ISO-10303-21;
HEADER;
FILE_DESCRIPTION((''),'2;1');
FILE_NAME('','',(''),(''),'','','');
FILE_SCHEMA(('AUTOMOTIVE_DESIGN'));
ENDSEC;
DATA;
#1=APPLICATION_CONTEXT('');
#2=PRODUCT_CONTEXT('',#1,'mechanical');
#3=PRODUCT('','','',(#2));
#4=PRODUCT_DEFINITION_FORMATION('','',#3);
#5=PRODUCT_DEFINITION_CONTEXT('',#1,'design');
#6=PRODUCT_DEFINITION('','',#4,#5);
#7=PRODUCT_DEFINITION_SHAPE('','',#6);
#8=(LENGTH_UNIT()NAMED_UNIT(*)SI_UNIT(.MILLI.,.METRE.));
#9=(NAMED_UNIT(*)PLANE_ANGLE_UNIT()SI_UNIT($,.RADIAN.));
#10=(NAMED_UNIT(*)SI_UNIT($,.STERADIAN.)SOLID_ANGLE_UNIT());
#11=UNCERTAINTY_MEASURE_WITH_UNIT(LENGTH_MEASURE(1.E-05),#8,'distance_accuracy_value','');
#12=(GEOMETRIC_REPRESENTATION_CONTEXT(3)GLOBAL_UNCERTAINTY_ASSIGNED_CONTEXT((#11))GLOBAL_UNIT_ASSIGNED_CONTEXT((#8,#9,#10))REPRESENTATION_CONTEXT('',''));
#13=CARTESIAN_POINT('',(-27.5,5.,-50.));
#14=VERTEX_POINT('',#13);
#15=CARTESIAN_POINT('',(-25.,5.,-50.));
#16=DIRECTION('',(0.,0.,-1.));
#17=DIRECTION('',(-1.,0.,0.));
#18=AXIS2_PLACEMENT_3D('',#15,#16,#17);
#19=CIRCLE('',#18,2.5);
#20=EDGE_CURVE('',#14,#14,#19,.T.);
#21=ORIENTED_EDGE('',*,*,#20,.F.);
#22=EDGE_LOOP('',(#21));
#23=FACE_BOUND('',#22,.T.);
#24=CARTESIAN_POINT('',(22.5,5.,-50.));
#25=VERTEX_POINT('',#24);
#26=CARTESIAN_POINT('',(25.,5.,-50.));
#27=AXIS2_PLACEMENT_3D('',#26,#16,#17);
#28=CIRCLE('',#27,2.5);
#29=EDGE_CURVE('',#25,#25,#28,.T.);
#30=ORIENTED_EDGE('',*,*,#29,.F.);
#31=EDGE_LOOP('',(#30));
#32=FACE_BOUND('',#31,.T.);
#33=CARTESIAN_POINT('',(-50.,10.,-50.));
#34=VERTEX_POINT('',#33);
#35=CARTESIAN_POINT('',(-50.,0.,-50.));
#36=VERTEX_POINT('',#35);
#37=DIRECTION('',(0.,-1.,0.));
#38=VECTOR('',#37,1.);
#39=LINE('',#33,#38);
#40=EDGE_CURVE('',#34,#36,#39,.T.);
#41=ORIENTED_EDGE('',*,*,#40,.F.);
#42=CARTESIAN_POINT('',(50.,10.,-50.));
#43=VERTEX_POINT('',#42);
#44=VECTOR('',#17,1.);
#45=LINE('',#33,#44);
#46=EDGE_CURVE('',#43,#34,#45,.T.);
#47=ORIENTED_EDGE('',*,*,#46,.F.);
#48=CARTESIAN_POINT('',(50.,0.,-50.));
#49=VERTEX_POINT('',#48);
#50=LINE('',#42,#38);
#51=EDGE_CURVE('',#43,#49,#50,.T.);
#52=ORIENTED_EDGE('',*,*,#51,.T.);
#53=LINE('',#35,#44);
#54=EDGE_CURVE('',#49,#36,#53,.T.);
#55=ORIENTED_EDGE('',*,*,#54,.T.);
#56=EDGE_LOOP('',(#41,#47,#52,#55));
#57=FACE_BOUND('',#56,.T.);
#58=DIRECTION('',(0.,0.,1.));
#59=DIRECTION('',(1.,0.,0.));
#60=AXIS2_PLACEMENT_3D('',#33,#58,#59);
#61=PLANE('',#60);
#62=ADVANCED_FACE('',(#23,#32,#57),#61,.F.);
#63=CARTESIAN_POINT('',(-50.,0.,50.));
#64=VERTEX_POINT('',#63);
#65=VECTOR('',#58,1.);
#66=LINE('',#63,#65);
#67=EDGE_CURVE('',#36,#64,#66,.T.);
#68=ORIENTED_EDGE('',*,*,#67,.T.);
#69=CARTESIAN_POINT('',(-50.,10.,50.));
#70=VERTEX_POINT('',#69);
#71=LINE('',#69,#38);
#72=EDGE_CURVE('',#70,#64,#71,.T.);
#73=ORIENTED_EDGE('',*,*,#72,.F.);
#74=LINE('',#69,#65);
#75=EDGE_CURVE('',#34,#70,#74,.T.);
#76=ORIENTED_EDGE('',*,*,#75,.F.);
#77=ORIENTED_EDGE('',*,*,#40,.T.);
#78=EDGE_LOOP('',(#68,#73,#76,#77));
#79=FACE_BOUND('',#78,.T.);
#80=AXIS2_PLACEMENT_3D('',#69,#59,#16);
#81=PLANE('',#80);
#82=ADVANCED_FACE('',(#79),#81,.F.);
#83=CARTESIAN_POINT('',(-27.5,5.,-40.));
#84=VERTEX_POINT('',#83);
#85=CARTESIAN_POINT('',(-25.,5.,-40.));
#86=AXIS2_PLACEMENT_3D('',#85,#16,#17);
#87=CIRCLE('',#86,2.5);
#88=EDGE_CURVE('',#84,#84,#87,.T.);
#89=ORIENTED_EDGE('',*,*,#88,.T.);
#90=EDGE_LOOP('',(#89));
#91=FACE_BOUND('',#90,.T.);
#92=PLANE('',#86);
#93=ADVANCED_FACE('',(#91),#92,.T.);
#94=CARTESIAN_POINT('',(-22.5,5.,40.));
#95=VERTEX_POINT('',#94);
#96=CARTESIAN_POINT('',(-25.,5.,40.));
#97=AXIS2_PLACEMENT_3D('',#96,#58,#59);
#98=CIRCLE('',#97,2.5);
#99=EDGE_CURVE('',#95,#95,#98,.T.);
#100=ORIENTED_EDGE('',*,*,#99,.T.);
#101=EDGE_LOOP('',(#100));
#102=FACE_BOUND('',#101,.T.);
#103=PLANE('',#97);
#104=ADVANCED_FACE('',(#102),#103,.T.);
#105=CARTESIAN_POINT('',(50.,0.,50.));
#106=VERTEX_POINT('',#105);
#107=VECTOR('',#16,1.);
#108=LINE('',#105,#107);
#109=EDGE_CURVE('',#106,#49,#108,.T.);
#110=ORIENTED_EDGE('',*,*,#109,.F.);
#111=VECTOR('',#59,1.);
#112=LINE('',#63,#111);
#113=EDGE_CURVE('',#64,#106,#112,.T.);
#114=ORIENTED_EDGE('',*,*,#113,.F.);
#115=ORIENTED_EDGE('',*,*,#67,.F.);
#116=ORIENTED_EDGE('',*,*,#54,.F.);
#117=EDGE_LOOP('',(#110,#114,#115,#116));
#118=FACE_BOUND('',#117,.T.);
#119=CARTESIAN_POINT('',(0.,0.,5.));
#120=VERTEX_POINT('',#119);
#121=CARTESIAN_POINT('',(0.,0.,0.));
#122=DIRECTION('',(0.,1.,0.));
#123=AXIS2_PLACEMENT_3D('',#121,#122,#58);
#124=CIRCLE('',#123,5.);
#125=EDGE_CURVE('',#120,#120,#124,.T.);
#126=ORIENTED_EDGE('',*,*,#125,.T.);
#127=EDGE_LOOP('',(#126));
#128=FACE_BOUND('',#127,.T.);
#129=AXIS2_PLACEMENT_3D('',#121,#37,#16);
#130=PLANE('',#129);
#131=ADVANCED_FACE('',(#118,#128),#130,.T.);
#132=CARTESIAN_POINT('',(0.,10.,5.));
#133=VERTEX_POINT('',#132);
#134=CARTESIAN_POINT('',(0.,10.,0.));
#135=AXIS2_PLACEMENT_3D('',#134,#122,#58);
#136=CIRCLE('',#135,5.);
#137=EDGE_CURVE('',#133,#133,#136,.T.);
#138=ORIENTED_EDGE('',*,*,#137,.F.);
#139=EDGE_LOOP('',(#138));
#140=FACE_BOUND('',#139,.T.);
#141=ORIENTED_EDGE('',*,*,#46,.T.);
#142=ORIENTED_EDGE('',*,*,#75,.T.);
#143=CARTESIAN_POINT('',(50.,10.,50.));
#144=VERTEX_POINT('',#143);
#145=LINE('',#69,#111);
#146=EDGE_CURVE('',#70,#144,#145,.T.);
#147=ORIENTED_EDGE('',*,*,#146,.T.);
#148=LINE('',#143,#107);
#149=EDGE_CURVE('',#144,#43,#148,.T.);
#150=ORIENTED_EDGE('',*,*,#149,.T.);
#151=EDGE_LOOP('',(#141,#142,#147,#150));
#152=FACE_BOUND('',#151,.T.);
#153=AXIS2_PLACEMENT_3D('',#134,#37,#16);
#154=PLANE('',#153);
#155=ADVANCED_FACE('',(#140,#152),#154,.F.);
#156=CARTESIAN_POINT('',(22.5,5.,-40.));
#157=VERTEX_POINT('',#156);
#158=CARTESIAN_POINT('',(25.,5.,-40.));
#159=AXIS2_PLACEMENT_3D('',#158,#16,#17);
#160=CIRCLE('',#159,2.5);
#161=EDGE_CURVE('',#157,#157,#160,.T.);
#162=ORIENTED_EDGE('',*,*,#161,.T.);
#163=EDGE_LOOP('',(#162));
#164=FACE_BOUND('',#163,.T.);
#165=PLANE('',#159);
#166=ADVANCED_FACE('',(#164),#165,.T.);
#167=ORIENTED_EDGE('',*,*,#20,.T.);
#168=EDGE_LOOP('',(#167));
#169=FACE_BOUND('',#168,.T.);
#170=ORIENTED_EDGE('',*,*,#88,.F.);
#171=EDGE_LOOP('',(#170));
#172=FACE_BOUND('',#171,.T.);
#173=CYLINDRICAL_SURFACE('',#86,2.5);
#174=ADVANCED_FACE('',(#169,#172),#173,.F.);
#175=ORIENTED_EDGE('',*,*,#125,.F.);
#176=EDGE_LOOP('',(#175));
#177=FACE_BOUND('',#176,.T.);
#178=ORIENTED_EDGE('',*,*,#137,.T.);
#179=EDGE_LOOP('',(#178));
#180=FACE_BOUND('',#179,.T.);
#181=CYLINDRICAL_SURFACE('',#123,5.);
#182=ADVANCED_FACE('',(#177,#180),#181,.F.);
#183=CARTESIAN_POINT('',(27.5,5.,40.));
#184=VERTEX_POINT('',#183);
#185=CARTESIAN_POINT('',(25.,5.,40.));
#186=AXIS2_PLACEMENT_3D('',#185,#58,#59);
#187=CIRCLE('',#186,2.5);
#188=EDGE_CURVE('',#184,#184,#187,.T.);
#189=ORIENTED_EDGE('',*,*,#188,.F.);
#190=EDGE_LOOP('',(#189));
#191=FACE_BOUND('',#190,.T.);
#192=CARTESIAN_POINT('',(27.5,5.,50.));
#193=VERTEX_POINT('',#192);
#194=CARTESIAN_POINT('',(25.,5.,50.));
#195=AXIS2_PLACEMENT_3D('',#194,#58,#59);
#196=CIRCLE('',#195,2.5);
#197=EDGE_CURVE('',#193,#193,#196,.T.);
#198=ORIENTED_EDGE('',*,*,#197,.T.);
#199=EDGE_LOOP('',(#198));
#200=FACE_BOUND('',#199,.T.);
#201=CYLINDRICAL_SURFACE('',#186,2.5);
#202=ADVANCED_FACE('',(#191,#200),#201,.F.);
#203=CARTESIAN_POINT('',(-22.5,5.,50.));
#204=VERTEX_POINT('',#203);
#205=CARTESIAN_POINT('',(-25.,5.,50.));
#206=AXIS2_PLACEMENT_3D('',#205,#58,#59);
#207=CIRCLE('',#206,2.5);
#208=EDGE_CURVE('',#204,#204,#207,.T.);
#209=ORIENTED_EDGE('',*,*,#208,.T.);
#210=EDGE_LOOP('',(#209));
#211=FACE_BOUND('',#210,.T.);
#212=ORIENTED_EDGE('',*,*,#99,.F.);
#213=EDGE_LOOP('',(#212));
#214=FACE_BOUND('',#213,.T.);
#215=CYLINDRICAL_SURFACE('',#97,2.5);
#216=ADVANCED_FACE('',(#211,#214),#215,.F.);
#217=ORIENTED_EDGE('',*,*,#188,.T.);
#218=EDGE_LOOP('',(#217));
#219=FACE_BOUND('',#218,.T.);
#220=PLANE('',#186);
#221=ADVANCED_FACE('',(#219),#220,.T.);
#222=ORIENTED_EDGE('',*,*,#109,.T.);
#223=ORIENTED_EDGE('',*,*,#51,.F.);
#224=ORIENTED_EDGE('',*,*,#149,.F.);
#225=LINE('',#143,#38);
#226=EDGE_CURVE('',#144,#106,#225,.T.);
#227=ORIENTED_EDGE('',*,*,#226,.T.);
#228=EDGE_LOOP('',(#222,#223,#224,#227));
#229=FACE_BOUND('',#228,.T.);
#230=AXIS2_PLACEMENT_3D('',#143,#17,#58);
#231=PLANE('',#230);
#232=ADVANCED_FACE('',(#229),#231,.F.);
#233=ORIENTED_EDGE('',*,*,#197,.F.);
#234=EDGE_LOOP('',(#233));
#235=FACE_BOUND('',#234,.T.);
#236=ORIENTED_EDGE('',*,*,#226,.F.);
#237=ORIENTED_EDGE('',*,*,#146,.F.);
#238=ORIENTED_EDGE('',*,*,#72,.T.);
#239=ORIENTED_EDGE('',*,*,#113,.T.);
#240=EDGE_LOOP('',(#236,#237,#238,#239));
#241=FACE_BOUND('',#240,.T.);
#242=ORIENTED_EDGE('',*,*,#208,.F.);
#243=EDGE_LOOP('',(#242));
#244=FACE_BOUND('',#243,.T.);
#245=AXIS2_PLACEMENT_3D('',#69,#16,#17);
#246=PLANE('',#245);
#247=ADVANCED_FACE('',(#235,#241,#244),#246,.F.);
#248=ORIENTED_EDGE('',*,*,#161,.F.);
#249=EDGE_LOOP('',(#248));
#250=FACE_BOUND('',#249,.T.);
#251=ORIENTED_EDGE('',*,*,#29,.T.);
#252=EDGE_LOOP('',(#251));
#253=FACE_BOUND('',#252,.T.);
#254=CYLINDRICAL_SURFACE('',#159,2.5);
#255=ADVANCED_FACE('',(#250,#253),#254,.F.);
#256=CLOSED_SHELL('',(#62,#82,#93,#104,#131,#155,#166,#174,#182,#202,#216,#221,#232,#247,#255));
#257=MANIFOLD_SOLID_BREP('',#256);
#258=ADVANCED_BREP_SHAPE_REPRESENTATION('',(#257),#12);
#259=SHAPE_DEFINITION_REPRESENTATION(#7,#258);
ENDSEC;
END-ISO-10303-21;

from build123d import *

# Parameters (mm, degrees)
SKETCH_1_W          = 100
SKETCH_1_H          = 100
EXTRUDE_1_DEPTH     = 10
SKETCH_2_R          = 2.5
CUT_EXTRUDE_1_DEPTH = 10
SKETCH_3_R          = 2.5
CUT_EXTRUDE_2_DEPTH = 10
SKETCH_4_R          = 5
CUT_EXTRUDE_3_DEPTH = 11


with BuildPart() as part:
    # Эскиз1 → Бобышка-Вытянуть1 (new body)
    with BuildSketch(Plane(origin=(0, 0, 0), x_dir=(1, 0, 0), z_dir=(0, 1, 0))):
        Rectangle(SKETCH_1_W, SKETCH_1_H)
    extrude(amount=EXTRUDE_1_DEPTH)

    # Эскиз2 → Вырез-Вытянуть1 (cut)
    with BuildSketch(Plane.XY.offset(50)):
        with Locations((-25, 5)):
            Circle(SKETCH_2_R)
        with Locations((25, 5)):
            Circle(SKETCH_2_R)
    extrude(amount=-CUT_EXTRUDE_1_DEPTH, mode=Mode.SUBTRACT)

    # Эскиз3 → Вырез-Вытянуть2 (cut)
    with BuildSketch(Plane(origin=(0, 0, -50), x_dir=(-1, 0, 0), z_dir=(0, 0, -1))):
        with Locations((-25, 5)):
            Circle(SKETCH_3_R)
        with Locations((25, 5)):
            Circle(SKETCH_3_R)
    extrude(amount=-CUT_EXTRUDE_2_DEPTH, mode=Mode.SUBTRACT)

    # Эскиз4 → Вырез-Вытянуть3 (cut, through all)
    with BuildSketch(Plane(origin=(0, 10, 0), x_dir=(1, 0, 0), z_dir=(0, 1, 0))):
        Circle(SKETCH_4_R)
    extrude(amount=-CUT_EXTRUDE_3_DEPTH, mode=Mode.SUBTRACT)


solid = part.part
